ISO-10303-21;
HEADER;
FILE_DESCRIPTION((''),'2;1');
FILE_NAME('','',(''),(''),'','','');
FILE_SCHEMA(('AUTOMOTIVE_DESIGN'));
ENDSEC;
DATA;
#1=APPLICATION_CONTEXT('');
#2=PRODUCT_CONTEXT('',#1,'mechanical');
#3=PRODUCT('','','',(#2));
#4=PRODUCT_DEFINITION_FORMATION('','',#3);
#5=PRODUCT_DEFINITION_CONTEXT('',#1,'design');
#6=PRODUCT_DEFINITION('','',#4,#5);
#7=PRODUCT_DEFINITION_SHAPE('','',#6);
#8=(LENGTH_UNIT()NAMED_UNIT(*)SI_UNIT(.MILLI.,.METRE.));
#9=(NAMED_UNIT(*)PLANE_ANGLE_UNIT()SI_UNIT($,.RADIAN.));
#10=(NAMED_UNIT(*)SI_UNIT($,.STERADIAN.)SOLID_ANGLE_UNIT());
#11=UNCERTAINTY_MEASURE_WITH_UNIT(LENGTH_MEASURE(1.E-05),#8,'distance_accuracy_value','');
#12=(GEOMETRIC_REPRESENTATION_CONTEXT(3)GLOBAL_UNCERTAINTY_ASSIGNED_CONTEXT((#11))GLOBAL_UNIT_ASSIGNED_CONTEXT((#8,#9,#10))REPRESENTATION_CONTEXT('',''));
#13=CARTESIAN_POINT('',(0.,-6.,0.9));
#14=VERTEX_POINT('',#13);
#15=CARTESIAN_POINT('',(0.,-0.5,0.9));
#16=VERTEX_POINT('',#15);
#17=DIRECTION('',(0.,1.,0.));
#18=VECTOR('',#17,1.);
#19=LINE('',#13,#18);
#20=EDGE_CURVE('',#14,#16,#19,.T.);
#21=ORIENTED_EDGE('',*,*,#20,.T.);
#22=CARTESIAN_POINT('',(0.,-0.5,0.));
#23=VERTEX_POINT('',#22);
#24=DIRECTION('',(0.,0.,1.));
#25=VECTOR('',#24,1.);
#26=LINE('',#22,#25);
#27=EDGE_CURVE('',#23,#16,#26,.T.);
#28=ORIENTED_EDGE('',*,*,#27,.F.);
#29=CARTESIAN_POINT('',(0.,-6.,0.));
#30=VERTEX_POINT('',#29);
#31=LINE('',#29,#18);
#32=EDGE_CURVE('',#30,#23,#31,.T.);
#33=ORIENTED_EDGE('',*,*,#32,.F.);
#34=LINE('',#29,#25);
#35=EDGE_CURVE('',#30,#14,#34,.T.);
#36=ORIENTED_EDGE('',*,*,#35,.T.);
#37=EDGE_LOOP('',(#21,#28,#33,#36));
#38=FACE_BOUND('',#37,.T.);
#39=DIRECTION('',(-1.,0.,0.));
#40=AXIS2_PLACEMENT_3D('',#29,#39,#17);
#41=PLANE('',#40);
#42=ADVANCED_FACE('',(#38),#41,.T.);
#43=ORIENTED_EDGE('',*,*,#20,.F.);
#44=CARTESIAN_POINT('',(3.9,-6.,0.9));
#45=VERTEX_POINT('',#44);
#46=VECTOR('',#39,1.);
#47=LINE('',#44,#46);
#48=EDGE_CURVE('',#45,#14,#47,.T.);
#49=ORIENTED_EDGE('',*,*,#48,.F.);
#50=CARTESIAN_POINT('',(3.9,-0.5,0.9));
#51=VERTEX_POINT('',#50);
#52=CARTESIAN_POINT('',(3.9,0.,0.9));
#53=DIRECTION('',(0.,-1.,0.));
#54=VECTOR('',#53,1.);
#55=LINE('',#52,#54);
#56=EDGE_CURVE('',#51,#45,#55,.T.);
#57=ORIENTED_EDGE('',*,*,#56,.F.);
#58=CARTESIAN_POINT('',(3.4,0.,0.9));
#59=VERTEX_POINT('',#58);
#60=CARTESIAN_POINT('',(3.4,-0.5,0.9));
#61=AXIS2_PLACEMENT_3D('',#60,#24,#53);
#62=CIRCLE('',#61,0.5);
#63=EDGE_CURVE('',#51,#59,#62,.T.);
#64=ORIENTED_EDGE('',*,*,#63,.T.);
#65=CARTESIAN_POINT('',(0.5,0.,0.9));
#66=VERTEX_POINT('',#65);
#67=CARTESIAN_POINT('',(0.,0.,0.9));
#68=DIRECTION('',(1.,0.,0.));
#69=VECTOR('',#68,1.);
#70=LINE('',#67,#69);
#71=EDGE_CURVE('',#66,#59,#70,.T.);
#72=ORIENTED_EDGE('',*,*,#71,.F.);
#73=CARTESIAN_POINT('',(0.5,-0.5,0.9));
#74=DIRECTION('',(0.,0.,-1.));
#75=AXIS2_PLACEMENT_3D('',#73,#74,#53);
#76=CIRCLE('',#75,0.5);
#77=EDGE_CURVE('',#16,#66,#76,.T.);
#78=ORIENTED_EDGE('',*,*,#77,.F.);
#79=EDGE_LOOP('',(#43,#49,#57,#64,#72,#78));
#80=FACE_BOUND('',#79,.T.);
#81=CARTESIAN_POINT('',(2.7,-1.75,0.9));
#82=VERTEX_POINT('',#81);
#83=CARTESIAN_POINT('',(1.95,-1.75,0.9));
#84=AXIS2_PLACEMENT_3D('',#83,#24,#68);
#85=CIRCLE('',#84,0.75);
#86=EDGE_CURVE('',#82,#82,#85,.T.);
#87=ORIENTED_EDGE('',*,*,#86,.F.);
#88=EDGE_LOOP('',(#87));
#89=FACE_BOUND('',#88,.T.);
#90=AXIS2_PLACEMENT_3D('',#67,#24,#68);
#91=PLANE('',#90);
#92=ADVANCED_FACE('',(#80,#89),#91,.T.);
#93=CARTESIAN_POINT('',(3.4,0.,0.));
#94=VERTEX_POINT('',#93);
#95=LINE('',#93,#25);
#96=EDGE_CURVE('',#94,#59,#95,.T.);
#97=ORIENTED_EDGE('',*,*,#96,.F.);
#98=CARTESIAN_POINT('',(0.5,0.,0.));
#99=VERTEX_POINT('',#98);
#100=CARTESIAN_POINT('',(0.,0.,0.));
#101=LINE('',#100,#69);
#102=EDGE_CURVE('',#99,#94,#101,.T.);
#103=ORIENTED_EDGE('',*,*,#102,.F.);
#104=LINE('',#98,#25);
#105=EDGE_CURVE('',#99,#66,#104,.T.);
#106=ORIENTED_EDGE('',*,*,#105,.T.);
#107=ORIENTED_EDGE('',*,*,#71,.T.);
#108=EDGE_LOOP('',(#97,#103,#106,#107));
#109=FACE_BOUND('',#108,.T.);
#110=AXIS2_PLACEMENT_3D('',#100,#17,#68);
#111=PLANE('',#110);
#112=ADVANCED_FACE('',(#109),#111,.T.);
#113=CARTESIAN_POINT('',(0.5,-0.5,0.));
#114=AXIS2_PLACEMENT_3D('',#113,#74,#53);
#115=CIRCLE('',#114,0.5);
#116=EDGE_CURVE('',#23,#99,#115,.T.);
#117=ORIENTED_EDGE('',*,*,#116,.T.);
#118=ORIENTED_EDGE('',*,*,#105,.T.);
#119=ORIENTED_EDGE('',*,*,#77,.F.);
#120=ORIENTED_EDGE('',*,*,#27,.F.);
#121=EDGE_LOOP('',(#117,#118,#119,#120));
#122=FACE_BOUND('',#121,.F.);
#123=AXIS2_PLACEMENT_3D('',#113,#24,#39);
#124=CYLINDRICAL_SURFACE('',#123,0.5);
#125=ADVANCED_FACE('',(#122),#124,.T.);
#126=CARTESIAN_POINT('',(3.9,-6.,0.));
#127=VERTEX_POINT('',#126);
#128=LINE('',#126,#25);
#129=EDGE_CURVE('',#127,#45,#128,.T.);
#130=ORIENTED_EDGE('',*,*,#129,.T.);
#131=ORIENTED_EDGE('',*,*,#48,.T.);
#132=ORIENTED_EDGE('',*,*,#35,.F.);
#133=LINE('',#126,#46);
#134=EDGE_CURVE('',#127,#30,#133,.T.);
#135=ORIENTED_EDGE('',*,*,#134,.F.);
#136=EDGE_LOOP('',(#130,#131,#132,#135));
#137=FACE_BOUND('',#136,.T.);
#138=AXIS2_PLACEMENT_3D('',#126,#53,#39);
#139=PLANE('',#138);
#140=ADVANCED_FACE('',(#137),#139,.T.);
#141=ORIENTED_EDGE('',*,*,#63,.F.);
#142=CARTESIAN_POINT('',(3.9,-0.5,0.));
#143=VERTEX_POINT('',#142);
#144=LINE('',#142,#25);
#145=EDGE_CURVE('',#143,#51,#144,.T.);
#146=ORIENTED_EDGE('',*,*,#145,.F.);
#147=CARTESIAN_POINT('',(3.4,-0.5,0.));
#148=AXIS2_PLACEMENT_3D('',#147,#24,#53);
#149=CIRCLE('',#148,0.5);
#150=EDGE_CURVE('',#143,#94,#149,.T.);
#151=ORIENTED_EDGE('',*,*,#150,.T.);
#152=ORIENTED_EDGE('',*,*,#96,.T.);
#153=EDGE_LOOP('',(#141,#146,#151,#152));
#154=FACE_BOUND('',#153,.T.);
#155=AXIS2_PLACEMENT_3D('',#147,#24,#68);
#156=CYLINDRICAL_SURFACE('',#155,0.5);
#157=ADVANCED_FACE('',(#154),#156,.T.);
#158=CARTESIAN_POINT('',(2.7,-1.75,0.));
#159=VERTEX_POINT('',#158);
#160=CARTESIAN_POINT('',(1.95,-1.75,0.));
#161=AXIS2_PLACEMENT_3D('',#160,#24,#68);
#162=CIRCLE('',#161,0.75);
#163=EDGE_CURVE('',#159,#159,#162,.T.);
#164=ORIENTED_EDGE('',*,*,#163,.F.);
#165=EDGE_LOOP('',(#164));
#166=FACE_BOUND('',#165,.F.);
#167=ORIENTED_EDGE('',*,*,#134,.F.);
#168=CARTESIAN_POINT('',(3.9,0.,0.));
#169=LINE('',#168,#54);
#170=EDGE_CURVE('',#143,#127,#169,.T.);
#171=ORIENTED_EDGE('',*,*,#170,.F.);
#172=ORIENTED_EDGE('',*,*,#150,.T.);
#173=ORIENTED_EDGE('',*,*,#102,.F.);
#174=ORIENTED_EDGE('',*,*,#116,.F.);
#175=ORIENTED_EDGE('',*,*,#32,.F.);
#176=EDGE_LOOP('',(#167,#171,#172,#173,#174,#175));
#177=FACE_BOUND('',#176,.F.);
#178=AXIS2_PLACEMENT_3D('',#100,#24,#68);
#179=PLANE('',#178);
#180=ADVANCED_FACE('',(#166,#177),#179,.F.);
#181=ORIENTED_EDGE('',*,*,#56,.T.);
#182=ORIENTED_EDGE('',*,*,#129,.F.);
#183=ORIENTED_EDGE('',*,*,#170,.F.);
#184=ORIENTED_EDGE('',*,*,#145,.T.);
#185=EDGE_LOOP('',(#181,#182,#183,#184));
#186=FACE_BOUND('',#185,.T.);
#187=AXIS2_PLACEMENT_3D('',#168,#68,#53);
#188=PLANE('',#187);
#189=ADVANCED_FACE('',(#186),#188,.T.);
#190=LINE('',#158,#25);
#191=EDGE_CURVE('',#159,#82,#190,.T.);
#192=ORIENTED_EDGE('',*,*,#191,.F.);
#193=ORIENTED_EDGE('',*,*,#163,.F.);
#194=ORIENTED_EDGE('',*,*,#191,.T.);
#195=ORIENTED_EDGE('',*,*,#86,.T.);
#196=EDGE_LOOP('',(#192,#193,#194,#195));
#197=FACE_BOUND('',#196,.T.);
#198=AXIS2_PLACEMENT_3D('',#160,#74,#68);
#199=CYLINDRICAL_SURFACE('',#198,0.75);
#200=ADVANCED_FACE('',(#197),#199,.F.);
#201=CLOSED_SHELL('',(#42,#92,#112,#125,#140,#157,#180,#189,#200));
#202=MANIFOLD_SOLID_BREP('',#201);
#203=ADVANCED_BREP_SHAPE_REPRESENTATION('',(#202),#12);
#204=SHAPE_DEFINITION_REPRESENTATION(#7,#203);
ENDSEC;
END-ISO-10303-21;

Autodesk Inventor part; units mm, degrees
ref_plane "YZ Plane" through (0, 0, 0) normal (1, 0, 0) x (0, 1, 0)
ref_plane "XZ Plane" through (0, 0, 0) normal (0, 1, 0) x (-1, 0, 0)
ref_plane "XY Plane" through (0, 0, 0) normal (0, 0, 1) x (1, 0, 0)
sketch "Sketch1" plane through (0, 0, 0) normal (0, 0, 1) x (1, 0, 0)
  line L0 (3.9, 0) -> (3.9, -6)
  line L1 (3.9, -6) -> (0, -6)
  line L2 (0, -6) -> (0, 0)
  line L3 (0.2186, 0) -> (3.3134, 0) construction
  line L4 (0.2186, -1) -> (3.3134, -1) construction
  line L5 (0.2186, -1.75) -> (3.3134, -1.75) construction
  line L6 (0, 1.467) -> (0, -3.9093) construction
  line L7 (1.95, 1.467) -> (1.95, -3.9093) construction
  circle A0 centre (1.95, -1.75) radius 0.75
  line L8 (0, 0) -> (3.9, 0)
  dimension "d0" = 3.9
  dimension "d1" = 6
  dimension "d2" = 1
  dimension "d3" = 0.75
  dimension "d4" = 1.95
  dimension "d5" = 1.5
extrude "Extrusion1" add sketch "Sketch1" along normal blind 0.9
fillet "Fillet1" radius 0.5 2 edges at (3.9, 0, 0.45) (0, 0, 0.45)
properties part number "Limit switch pin" material "Stainless Steel"
